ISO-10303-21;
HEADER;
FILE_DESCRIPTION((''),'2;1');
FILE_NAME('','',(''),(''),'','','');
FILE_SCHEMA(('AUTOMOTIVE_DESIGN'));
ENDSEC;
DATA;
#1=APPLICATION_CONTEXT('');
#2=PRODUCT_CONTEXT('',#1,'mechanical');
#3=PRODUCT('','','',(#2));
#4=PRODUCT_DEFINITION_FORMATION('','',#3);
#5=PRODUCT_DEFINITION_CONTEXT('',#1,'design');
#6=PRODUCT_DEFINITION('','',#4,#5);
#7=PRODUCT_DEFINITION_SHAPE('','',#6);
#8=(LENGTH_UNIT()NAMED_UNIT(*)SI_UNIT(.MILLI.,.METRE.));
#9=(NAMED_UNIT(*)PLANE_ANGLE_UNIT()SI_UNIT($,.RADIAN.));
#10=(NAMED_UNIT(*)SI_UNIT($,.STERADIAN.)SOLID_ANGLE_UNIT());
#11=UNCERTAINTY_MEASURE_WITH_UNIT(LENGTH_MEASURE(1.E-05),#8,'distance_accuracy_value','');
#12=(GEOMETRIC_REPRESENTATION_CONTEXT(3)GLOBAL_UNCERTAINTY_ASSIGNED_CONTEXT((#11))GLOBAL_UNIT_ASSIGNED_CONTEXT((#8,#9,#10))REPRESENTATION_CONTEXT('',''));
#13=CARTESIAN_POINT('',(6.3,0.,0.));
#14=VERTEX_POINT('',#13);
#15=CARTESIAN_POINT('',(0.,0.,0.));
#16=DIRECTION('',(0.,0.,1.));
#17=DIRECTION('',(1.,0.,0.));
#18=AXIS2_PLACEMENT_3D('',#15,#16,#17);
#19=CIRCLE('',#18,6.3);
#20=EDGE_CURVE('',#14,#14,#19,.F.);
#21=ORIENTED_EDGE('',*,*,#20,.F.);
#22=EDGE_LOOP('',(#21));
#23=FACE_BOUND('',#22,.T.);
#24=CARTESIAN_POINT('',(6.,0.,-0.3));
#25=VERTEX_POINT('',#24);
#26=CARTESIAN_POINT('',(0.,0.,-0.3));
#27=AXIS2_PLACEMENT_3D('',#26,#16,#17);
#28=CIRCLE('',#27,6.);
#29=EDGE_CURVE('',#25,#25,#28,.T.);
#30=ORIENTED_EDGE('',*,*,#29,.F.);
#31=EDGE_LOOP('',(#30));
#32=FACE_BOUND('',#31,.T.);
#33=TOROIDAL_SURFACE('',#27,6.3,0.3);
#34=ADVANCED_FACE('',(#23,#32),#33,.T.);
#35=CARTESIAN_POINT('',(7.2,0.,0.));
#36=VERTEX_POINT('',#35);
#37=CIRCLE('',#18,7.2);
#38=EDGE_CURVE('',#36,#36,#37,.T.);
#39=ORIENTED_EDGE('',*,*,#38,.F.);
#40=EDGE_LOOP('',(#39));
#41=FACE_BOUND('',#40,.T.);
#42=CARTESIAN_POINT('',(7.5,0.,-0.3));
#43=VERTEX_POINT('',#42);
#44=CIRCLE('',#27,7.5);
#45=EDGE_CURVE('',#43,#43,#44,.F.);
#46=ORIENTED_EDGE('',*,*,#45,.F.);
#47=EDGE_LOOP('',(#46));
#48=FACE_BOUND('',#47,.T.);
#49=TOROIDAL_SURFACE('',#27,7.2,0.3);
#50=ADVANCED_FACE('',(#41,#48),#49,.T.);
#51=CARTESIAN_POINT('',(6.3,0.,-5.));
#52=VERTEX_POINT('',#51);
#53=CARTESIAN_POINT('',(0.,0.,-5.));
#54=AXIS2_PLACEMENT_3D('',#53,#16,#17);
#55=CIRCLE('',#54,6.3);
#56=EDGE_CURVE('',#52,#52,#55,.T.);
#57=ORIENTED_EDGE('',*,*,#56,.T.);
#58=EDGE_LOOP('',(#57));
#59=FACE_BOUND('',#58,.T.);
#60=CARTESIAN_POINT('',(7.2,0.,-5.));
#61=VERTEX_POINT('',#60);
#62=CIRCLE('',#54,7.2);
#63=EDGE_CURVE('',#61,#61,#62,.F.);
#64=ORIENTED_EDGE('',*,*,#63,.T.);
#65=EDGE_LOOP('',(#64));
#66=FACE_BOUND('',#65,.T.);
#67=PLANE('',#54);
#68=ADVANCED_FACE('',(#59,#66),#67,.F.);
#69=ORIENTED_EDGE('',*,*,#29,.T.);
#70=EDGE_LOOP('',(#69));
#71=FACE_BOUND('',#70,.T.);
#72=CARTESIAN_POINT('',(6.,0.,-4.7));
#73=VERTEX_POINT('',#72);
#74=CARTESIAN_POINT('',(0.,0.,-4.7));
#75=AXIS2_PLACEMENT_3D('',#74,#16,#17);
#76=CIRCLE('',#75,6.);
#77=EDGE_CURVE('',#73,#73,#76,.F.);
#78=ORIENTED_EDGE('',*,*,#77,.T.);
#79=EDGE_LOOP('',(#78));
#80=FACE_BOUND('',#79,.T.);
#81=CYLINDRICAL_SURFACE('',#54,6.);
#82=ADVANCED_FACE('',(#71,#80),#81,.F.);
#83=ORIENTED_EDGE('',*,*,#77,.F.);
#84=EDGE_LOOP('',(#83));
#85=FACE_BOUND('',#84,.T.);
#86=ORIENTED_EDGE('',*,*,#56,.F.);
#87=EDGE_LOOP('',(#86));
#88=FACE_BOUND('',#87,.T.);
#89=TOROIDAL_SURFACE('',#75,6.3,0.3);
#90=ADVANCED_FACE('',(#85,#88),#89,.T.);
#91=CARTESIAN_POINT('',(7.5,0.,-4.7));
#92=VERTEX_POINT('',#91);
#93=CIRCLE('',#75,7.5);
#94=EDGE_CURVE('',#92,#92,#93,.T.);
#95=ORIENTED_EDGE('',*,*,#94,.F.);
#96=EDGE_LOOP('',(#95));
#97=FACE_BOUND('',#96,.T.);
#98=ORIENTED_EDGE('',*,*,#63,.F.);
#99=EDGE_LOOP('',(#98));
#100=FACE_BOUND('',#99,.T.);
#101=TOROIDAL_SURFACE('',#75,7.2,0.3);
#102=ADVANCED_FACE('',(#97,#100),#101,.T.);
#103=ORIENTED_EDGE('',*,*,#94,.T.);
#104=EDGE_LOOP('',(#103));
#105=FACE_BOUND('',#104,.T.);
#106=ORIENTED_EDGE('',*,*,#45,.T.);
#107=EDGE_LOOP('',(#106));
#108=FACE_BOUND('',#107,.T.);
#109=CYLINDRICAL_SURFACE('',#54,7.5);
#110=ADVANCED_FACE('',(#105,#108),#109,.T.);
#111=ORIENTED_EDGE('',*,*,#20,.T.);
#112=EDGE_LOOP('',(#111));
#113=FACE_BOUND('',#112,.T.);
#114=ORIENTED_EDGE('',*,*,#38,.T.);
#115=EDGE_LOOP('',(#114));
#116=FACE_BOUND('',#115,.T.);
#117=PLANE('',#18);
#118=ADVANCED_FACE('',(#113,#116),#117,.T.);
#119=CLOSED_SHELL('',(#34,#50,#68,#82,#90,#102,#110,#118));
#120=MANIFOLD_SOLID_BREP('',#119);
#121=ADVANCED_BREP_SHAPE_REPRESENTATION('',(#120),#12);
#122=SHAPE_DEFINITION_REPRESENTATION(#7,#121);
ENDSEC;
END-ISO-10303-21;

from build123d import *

# Parameters (mm, degrees)
SKETCH1_R           = 7.5
SKETCH1_R_2         = 6
BOSS_EXTRUDE1_DEPTH = 5
FILLET1_R           = 0.3


with BuildPart() as part:
    # Sketch1 → Boss-Extrude1 (new body)
    with BuildSketch(Plane.XY):
        Circle(SKETCH1_R)
        Circle(SKETCH1_R_2, mode=Mode.SUBTRACT)
    extrude(amount=-BOSS_EXTRUDE1_DEPTH)

    # Fillet1
    fillet1_edges = [part.edges().sort_by_distance(p)[0] for p in [
        (-7.5, 0, 0),
        (-7.5, 0, -5),
        (-6, 0, -5),
        (-6, 0, 0),
    ]]
    fillet(fillet1_edges, radius=FILLET1_R)


solid = part.part
